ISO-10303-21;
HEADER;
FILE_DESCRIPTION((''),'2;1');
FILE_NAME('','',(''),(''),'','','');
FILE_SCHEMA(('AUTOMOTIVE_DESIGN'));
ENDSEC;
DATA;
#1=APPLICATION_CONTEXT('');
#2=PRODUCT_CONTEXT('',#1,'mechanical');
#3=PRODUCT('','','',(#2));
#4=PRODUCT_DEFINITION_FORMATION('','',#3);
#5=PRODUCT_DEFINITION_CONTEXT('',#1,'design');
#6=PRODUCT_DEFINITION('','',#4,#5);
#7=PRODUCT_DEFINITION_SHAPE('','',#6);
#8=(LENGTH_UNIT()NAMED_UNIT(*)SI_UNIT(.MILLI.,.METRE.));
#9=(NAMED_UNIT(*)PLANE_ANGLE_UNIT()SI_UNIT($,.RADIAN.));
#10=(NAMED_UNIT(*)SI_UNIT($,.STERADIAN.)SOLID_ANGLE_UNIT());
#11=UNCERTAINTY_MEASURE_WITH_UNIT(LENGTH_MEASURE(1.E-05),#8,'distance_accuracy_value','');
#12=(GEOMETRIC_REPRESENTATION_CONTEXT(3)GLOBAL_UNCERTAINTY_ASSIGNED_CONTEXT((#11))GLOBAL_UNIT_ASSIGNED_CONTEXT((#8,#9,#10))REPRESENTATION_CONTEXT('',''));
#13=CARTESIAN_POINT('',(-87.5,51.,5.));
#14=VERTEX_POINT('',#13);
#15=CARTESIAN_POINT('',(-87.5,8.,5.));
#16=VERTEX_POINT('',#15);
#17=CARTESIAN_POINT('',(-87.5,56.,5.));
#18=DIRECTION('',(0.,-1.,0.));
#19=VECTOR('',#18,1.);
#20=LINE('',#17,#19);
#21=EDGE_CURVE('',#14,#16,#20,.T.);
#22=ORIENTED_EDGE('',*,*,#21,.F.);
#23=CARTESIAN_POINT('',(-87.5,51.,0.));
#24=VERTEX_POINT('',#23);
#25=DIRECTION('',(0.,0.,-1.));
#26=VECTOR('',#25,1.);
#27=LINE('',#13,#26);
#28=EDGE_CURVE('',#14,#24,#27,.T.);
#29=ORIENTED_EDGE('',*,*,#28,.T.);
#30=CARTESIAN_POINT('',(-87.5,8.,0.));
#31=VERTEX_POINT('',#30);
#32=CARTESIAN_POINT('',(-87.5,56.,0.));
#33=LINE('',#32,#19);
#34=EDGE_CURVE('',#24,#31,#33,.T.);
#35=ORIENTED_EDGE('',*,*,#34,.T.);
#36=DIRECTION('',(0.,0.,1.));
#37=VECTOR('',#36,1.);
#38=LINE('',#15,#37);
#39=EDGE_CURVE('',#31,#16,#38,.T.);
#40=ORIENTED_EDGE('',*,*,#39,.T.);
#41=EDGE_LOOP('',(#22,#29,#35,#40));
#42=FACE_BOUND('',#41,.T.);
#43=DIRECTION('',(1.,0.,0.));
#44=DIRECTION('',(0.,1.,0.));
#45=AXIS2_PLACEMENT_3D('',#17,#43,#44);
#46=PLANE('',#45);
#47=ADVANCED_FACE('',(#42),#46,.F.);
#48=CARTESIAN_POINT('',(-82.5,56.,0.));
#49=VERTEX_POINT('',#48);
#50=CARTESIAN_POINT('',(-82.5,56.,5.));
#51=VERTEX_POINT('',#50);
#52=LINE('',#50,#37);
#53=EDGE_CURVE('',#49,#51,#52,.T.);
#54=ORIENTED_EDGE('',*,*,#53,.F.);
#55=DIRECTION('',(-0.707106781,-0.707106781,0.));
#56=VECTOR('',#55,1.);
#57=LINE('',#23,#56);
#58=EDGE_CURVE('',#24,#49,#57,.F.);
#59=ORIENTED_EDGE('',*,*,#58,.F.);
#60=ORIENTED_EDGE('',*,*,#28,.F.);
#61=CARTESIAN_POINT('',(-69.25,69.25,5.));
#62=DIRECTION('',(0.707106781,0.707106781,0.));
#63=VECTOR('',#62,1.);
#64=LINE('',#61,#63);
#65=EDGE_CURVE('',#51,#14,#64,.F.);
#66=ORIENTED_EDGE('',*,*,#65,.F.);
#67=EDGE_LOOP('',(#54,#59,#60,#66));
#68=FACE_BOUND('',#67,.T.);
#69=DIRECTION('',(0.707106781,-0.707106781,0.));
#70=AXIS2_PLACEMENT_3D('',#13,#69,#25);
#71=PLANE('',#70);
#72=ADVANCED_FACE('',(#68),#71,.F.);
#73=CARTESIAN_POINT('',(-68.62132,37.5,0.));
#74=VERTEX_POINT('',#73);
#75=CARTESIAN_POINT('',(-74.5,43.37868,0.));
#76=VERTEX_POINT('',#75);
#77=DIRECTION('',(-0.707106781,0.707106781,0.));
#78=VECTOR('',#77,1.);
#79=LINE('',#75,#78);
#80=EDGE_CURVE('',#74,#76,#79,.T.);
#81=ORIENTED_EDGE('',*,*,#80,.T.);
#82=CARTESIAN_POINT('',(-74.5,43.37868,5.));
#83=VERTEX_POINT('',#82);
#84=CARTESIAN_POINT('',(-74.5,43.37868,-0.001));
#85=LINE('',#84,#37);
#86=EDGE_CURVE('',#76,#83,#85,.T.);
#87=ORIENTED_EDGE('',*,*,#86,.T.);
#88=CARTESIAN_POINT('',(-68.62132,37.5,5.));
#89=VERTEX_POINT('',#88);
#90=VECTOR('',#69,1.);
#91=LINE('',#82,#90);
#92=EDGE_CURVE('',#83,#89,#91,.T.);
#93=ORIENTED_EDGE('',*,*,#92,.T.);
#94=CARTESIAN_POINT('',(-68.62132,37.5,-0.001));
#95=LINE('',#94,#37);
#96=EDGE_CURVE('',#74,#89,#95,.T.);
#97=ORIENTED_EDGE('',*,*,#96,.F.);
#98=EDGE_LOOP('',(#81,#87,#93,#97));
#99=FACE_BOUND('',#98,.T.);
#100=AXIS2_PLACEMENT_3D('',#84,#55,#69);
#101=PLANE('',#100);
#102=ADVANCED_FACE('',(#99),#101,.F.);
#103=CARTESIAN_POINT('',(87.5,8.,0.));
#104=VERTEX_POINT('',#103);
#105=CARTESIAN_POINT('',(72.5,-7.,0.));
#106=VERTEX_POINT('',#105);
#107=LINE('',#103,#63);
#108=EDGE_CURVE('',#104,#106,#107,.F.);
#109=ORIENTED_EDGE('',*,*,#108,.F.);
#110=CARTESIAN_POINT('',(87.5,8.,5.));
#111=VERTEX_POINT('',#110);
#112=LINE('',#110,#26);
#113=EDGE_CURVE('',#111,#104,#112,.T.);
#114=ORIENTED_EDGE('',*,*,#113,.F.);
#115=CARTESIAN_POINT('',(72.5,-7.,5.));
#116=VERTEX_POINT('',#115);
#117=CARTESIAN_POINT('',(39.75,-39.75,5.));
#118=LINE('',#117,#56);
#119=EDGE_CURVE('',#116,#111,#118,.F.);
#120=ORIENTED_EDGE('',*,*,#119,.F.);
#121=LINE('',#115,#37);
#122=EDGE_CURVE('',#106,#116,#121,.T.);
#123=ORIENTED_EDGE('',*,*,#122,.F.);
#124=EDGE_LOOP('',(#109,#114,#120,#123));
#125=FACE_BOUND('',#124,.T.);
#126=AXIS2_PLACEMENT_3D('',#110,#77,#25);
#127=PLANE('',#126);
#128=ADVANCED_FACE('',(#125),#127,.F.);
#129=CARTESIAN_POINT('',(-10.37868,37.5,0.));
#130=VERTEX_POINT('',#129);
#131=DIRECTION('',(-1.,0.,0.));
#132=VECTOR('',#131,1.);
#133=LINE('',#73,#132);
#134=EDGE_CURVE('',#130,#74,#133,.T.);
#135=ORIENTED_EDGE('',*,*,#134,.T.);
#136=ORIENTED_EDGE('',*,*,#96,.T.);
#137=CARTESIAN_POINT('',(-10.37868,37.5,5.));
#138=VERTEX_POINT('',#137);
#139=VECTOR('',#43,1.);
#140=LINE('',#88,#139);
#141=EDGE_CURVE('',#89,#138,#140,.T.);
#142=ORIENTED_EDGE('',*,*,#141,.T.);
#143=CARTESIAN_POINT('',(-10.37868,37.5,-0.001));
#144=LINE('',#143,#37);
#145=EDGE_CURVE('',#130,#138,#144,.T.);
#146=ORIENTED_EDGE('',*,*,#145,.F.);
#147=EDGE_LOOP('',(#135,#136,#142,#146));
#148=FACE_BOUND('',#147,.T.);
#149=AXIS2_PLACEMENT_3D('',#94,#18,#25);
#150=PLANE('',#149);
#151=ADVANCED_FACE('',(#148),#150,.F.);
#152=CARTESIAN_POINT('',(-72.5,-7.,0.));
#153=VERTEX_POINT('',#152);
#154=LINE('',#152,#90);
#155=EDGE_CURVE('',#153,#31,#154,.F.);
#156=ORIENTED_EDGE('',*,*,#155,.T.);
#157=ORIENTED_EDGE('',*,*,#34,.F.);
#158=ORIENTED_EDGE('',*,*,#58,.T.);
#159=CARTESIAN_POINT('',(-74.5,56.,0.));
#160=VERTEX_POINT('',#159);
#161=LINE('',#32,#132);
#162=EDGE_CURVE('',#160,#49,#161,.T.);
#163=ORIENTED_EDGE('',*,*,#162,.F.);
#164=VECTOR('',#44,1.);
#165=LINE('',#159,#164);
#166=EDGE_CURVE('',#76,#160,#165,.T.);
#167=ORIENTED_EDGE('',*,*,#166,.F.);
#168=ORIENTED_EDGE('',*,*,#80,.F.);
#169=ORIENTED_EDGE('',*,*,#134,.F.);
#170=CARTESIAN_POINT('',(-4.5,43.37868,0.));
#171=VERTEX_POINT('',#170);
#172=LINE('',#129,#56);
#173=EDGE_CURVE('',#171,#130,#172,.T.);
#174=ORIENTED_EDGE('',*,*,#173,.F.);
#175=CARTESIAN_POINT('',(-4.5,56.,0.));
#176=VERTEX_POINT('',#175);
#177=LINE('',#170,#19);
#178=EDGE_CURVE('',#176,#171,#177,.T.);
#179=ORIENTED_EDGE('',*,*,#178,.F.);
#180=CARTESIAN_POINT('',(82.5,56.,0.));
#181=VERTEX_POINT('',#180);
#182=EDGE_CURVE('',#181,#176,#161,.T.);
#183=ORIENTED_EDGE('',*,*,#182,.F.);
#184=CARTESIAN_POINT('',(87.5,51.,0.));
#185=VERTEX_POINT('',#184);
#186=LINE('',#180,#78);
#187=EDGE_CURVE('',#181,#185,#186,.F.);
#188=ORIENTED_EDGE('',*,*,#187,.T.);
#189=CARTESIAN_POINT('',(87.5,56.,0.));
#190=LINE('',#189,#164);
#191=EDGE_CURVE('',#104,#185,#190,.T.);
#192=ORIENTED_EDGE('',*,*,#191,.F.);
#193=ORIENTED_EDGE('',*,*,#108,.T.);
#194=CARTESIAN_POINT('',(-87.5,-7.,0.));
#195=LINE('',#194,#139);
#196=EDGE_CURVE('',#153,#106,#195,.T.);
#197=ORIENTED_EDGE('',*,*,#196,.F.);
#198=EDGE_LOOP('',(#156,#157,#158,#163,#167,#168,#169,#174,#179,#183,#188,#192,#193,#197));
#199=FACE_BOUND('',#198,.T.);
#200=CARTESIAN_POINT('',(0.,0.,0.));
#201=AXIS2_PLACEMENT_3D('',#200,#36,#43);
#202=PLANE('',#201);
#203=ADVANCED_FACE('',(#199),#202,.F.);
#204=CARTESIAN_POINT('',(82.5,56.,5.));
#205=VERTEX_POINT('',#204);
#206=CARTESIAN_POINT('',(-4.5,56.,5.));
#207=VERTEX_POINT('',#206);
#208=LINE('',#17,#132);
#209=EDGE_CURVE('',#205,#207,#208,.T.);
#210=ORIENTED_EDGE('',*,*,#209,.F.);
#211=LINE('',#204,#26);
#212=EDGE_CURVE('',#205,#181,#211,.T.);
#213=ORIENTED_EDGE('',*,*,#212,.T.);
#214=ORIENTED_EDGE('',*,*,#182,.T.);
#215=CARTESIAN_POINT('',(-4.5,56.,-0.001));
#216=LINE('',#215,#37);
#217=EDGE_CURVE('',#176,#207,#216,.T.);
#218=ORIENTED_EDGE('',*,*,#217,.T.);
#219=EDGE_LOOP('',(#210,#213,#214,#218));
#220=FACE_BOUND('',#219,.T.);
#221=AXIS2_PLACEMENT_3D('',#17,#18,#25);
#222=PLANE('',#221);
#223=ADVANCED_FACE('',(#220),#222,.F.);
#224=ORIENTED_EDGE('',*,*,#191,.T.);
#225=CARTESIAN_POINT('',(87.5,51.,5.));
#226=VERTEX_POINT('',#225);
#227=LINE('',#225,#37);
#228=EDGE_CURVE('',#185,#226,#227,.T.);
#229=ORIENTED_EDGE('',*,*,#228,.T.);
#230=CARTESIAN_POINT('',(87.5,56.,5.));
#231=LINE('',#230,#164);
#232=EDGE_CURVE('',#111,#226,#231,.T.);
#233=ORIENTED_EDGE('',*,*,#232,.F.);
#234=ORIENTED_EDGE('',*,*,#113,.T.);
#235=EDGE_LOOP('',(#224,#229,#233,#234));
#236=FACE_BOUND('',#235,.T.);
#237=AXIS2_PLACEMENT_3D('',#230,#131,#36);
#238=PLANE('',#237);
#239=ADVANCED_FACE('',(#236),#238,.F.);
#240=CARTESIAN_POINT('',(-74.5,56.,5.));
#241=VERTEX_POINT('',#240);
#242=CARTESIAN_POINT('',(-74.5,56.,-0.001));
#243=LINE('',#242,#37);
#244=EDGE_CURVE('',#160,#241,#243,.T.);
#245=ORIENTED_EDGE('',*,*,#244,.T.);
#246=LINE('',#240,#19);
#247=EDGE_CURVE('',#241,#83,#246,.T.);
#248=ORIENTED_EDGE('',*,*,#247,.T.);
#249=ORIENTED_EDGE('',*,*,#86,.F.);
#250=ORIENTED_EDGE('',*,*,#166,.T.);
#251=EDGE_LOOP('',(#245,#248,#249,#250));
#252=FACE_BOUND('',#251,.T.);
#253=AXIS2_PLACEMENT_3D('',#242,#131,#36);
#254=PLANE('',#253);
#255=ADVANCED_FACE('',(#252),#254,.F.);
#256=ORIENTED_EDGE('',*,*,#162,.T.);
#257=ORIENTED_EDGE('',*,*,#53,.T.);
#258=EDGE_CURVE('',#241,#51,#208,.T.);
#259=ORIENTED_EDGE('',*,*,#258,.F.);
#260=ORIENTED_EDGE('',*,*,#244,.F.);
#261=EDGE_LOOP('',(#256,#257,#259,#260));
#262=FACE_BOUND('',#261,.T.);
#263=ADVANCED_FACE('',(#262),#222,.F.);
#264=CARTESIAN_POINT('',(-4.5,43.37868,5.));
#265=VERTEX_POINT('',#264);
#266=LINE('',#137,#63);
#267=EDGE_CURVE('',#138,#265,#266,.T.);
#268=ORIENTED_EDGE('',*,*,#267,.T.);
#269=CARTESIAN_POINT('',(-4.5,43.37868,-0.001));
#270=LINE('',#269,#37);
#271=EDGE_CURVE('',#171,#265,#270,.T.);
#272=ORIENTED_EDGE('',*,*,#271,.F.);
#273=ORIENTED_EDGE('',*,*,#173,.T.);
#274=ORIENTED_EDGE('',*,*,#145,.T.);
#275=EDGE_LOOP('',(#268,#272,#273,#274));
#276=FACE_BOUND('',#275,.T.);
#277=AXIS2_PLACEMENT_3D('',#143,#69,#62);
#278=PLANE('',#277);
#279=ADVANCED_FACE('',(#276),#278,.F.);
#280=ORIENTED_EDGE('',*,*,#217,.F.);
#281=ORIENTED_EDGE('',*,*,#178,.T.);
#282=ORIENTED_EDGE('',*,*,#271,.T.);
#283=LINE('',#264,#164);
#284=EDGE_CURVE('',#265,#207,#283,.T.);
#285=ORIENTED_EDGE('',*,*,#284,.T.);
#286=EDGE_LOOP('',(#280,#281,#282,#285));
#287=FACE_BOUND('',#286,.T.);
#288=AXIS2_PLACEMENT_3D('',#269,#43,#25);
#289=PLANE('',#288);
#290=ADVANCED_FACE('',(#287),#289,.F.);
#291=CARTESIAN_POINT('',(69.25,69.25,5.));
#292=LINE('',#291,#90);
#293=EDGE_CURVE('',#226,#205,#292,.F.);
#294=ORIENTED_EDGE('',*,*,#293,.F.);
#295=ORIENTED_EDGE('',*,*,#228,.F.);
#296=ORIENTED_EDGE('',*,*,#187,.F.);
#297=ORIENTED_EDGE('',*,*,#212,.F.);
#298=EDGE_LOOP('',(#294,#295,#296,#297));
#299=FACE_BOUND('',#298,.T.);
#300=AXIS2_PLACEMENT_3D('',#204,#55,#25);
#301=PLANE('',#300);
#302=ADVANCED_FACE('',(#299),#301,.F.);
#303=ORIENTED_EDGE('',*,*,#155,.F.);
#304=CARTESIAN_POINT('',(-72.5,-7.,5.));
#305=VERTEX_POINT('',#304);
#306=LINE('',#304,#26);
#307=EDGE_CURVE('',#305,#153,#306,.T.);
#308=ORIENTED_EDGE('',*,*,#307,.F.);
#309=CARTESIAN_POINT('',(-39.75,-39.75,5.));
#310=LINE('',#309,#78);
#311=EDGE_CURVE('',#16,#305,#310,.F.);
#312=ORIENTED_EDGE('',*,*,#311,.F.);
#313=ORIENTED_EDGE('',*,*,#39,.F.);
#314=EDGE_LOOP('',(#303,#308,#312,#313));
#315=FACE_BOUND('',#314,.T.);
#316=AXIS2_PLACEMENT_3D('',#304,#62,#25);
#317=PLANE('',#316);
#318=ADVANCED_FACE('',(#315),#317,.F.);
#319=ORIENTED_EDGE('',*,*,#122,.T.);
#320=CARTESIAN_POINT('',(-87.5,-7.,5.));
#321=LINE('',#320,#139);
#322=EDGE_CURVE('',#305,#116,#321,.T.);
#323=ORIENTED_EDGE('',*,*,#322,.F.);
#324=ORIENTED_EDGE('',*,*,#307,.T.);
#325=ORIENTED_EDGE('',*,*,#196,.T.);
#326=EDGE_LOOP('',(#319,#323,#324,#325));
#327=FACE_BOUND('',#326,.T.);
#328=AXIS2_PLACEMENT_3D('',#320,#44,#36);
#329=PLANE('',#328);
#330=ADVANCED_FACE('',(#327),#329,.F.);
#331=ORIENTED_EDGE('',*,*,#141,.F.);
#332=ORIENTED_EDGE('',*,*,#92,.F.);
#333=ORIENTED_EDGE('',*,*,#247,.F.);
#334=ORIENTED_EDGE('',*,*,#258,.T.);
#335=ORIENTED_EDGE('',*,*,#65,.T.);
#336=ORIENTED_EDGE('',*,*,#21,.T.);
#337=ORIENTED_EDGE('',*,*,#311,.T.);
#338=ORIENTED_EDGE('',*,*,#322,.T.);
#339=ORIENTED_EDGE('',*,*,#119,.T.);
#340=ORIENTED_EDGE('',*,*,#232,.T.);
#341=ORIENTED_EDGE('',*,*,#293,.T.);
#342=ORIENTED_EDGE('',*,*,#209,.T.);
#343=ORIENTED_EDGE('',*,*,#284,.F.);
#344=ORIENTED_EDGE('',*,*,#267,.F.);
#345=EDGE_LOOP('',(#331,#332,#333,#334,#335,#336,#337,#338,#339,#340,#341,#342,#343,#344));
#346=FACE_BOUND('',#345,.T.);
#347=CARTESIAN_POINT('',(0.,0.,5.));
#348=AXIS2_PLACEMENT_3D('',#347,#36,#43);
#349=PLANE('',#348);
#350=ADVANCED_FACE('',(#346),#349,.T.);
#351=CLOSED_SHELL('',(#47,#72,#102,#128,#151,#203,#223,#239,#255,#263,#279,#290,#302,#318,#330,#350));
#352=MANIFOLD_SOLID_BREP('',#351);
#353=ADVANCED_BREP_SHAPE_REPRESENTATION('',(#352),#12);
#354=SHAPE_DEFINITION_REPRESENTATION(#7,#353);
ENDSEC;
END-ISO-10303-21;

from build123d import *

# Parameters (mm, degrees)
SKETCH_1_W          = 175
SKETCH_1_H          = 63
EXTRUDE_1_DEPTH     = 5
CUT_EXTRUDE_1_REACH = 106.006
CHAMFER_1_SIZE      = 15
CHAMFER_2_SIZE      = 5


with BuildPart() as part:
    # 草图1 → 凸台-拉伸1 (new body)
    with BuildSketch(Plane.XY):
        with Locations((0, 24.5)):
            Rectangle(SKETCH_1_W, SKETCH_1_H)
    extrude(amount=EXTRUDE_1_DEPTH)

    # 草图2 → 切除-拉伸1 (cut, up to next)
    with BuildSketch(Plane.XY.offset(5), mode=Mode.PRIVATE) as cut_extrude_1_sk1:
        Polygon((-74.5, 56), (-4.5, 56), (-4.5, 43.378679656), (-10.378679656, 37.5), (-68.621320344, 37.5), (-74.5, 43.378679656), align=None)
    cut_extrude_1_tool1 = extrude(cut_extrude_1_sk1.sketch, amount=-CUT_EXTRUDE_1_REACH, mode=Mode.PRIVATE) & part.part
    add(cut_extrude_1_tool1.solids().sort_by_distance((-39.5, 46.94989, 5))[0], mode=Mode.SUBTRACT)

    # 倒角1
    chamfer_1_edges = [part.edges().sort_by_distance(p)[0] for p in [
        (87.5, -7, 2.5),
        (-87.5, -7, 2.5),
    ]]
    chamfer(chamfer_1_edges, length=CHAMFER_1_SIZE)

    # 倒角2
    chamfer_2_edges = [part.edges().sort_by_distance(p)[0] for p in [
        (-87.5, 56, 2.5),
        (87.5, 56, 2.5),
    ]]
    chamfer(chamfer_2_edges, length=CHAMFER_2_SIZE)


solid = part.part
